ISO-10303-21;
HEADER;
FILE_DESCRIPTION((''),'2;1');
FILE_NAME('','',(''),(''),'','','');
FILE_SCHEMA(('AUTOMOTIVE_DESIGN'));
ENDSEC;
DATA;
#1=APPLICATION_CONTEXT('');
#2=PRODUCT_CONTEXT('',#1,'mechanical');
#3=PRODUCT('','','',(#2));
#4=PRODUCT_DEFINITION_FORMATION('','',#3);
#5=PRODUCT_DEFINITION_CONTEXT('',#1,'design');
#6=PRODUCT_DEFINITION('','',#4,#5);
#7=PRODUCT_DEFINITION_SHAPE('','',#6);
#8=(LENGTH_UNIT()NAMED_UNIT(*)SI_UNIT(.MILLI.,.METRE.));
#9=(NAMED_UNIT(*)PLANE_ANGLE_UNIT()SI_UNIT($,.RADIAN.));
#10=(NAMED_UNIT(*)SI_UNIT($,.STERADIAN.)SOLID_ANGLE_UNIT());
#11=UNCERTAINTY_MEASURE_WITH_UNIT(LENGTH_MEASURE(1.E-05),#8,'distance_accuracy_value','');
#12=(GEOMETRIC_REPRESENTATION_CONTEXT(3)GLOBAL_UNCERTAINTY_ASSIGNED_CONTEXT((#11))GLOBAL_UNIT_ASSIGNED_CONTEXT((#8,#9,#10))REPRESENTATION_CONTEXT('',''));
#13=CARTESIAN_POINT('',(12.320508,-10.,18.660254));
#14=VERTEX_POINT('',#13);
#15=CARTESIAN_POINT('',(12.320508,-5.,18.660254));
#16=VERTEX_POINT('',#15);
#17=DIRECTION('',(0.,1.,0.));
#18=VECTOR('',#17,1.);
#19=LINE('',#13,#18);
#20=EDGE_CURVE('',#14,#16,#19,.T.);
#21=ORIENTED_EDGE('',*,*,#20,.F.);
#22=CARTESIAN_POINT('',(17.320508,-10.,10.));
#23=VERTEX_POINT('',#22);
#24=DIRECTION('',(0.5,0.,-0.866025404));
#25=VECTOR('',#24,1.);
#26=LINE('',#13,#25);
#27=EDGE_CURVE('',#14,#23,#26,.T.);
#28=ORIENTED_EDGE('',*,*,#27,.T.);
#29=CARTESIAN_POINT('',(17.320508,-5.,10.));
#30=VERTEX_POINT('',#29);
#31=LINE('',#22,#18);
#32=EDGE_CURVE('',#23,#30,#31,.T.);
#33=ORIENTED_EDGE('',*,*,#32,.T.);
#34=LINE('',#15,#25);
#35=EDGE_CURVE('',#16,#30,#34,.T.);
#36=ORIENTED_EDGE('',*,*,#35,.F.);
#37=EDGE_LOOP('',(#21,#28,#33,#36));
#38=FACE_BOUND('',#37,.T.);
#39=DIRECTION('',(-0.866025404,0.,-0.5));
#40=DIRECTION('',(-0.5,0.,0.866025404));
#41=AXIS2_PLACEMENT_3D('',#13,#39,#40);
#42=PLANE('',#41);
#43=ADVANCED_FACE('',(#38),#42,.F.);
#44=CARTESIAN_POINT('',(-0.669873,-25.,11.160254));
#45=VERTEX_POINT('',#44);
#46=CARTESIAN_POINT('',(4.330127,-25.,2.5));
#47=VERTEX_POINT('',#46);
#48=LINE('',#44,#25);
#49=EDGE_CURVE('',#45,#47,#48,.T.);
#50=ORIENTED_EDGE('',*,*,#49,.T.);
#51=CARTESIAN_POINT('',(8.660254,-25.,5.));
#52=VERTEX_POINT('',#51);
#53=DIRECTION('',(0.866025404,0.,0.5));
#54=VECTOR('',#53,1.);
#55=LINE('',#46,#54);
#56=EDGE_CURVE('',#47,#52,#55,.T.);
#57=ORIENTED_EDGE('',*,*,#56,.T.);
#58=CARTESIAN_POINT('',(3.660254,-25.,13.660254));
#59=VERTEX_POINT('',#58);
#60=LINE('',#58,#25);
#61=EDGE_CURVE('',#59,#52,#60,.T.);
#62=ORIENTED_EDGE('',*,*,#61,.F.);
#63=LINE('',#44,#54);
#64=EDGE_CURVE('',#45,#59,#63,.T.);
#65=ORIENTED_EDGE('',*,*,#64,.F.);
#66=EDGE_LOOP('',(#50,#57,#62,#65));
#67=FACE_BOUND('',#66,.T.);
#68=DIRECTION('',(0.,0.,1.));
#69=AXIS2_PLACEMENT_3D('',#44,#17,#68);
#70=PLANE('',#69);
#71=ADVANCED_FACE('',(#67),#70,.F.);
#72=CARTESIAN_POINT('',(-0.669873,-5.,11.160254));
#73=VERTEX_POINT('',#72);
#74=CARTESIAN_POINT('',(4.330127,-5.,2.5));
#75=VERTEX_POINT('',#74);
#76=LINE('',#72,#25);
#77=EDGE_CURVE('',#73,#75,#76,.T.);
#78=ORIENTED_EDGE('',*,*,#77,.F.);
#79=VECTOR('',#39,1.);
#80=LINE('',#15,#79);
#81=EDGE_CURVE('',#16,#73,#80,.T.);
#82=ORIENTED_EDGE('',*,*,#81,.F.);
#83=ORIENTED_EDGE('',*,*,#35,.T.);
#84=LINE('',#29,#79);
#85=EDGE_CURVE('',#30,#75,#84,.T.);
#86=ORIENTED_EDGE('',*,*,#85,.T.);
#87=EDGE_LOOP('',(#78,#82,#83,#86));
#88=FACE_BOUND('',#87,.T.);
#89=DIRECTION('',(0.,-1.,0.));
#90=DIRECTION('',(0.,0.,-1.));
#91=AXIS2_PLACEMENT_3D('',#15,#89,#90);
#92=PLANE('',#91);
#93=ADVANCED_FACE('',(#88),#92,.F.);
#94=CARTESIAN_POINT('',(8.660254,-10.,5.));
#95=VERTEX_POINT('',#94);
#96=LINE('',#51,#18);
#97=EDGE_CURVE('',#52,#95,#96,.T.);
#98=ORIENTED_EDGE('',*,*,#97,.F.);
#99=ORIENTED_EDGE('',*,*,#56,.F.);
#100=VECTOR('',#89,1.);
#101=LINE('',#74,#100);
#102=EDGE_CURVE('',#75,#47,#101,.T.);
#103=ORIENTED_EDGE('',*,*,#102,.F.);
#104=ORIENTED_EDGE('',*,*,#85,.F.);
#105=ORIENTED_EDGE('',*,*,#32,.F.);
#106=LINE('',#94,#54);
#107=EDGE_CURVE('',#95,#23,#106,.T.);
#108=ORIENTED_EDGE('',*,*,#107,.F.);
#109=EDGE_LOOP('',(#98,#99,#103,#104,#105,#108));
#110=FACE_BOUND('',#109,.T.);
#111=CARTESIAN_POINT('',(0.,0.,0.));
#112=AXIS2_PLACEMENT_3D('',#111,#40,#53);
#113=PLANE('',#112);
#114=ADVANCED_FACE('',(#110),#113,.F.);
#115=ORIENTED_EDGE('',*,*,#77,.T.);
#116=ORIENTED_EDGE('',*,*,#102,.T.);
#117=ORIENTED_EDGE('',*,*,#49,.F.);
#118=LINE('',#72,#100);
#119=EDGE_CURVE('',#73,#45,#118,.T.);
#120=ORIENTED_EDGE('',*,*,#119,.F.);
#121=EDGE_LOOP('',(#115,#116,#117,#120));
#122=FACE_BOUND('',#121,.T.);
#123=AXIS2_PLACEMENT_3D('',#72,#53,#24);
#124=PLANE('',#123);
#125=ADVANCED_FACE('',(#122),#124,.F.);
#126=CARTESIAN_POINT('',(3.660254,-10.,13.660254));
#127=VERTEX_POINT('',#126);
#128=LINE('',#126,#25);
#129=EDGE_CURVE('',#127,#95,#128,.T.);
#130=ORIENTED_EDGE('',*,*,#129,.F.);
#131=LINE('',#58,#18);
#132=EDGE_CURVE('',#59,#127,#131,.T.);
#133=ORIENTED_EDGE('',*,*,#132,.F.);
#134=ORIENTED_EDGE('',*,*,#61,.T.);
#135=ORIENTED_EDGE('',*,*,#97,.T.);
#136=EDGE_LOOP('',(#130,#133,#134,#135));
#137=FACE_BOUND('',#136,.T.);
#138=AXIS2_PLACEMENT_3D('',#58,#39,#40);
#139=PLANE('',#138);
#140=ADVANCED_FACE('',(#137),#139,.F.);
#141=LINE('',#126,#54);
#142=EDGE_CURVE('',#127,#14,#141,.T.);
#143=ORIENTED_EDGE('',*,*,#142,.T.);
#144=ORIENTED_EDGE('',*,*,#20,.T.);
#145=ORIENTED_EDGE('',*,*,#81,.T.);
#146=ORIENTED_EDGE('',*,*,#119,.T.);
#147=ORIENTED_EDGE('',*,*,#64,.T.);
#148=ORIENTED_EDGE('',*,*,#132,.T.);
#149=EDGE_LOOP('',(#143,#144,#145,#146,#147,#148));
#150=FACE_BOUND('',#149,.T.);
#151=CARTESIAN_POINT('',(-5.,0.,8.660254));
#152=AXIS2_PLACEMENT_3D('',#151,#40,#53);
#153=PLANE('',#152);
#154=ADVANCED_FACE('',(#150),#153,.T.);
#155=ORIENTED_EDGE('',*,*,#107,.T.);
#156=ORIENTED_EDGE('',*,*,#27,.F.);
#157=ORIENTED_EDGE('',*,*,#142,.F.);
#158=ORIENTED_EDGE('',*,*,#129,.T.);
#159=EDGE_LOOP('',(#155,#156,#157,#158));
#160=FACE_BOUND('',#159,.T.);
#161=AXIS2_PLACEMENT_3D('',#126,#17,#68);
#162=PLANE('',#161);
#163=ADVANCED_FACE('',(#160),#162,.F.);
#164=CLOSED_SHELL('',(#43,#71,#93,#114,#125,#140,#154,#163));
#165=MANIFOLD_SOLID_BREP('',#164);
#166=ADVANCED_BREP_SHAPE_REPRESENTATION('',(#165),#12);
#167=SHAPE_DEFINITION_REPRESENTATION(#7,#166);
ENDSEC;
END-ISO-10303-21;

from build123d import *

# Parameters (mm, degrees)
BOSS_EXTRUDE1_DEPTH = 10


with BuildPart() as part:
    # Sketch1 → Boss-Extrude1 (new body)
    with BuildSketch(Plane(origin=(0, 0, 0), x_dir=(0, -1, 0), z_dir=(-0.49999999999999994, 0, 0.8660254037844387))):
        Polygon((5, 5), (25, 5), (25, 10), (10, 10), (10, 20), (5, 20), align=None)
    extrude(amount=BOSS_EXTRUDE1_DEPTH)


solid = part.part
